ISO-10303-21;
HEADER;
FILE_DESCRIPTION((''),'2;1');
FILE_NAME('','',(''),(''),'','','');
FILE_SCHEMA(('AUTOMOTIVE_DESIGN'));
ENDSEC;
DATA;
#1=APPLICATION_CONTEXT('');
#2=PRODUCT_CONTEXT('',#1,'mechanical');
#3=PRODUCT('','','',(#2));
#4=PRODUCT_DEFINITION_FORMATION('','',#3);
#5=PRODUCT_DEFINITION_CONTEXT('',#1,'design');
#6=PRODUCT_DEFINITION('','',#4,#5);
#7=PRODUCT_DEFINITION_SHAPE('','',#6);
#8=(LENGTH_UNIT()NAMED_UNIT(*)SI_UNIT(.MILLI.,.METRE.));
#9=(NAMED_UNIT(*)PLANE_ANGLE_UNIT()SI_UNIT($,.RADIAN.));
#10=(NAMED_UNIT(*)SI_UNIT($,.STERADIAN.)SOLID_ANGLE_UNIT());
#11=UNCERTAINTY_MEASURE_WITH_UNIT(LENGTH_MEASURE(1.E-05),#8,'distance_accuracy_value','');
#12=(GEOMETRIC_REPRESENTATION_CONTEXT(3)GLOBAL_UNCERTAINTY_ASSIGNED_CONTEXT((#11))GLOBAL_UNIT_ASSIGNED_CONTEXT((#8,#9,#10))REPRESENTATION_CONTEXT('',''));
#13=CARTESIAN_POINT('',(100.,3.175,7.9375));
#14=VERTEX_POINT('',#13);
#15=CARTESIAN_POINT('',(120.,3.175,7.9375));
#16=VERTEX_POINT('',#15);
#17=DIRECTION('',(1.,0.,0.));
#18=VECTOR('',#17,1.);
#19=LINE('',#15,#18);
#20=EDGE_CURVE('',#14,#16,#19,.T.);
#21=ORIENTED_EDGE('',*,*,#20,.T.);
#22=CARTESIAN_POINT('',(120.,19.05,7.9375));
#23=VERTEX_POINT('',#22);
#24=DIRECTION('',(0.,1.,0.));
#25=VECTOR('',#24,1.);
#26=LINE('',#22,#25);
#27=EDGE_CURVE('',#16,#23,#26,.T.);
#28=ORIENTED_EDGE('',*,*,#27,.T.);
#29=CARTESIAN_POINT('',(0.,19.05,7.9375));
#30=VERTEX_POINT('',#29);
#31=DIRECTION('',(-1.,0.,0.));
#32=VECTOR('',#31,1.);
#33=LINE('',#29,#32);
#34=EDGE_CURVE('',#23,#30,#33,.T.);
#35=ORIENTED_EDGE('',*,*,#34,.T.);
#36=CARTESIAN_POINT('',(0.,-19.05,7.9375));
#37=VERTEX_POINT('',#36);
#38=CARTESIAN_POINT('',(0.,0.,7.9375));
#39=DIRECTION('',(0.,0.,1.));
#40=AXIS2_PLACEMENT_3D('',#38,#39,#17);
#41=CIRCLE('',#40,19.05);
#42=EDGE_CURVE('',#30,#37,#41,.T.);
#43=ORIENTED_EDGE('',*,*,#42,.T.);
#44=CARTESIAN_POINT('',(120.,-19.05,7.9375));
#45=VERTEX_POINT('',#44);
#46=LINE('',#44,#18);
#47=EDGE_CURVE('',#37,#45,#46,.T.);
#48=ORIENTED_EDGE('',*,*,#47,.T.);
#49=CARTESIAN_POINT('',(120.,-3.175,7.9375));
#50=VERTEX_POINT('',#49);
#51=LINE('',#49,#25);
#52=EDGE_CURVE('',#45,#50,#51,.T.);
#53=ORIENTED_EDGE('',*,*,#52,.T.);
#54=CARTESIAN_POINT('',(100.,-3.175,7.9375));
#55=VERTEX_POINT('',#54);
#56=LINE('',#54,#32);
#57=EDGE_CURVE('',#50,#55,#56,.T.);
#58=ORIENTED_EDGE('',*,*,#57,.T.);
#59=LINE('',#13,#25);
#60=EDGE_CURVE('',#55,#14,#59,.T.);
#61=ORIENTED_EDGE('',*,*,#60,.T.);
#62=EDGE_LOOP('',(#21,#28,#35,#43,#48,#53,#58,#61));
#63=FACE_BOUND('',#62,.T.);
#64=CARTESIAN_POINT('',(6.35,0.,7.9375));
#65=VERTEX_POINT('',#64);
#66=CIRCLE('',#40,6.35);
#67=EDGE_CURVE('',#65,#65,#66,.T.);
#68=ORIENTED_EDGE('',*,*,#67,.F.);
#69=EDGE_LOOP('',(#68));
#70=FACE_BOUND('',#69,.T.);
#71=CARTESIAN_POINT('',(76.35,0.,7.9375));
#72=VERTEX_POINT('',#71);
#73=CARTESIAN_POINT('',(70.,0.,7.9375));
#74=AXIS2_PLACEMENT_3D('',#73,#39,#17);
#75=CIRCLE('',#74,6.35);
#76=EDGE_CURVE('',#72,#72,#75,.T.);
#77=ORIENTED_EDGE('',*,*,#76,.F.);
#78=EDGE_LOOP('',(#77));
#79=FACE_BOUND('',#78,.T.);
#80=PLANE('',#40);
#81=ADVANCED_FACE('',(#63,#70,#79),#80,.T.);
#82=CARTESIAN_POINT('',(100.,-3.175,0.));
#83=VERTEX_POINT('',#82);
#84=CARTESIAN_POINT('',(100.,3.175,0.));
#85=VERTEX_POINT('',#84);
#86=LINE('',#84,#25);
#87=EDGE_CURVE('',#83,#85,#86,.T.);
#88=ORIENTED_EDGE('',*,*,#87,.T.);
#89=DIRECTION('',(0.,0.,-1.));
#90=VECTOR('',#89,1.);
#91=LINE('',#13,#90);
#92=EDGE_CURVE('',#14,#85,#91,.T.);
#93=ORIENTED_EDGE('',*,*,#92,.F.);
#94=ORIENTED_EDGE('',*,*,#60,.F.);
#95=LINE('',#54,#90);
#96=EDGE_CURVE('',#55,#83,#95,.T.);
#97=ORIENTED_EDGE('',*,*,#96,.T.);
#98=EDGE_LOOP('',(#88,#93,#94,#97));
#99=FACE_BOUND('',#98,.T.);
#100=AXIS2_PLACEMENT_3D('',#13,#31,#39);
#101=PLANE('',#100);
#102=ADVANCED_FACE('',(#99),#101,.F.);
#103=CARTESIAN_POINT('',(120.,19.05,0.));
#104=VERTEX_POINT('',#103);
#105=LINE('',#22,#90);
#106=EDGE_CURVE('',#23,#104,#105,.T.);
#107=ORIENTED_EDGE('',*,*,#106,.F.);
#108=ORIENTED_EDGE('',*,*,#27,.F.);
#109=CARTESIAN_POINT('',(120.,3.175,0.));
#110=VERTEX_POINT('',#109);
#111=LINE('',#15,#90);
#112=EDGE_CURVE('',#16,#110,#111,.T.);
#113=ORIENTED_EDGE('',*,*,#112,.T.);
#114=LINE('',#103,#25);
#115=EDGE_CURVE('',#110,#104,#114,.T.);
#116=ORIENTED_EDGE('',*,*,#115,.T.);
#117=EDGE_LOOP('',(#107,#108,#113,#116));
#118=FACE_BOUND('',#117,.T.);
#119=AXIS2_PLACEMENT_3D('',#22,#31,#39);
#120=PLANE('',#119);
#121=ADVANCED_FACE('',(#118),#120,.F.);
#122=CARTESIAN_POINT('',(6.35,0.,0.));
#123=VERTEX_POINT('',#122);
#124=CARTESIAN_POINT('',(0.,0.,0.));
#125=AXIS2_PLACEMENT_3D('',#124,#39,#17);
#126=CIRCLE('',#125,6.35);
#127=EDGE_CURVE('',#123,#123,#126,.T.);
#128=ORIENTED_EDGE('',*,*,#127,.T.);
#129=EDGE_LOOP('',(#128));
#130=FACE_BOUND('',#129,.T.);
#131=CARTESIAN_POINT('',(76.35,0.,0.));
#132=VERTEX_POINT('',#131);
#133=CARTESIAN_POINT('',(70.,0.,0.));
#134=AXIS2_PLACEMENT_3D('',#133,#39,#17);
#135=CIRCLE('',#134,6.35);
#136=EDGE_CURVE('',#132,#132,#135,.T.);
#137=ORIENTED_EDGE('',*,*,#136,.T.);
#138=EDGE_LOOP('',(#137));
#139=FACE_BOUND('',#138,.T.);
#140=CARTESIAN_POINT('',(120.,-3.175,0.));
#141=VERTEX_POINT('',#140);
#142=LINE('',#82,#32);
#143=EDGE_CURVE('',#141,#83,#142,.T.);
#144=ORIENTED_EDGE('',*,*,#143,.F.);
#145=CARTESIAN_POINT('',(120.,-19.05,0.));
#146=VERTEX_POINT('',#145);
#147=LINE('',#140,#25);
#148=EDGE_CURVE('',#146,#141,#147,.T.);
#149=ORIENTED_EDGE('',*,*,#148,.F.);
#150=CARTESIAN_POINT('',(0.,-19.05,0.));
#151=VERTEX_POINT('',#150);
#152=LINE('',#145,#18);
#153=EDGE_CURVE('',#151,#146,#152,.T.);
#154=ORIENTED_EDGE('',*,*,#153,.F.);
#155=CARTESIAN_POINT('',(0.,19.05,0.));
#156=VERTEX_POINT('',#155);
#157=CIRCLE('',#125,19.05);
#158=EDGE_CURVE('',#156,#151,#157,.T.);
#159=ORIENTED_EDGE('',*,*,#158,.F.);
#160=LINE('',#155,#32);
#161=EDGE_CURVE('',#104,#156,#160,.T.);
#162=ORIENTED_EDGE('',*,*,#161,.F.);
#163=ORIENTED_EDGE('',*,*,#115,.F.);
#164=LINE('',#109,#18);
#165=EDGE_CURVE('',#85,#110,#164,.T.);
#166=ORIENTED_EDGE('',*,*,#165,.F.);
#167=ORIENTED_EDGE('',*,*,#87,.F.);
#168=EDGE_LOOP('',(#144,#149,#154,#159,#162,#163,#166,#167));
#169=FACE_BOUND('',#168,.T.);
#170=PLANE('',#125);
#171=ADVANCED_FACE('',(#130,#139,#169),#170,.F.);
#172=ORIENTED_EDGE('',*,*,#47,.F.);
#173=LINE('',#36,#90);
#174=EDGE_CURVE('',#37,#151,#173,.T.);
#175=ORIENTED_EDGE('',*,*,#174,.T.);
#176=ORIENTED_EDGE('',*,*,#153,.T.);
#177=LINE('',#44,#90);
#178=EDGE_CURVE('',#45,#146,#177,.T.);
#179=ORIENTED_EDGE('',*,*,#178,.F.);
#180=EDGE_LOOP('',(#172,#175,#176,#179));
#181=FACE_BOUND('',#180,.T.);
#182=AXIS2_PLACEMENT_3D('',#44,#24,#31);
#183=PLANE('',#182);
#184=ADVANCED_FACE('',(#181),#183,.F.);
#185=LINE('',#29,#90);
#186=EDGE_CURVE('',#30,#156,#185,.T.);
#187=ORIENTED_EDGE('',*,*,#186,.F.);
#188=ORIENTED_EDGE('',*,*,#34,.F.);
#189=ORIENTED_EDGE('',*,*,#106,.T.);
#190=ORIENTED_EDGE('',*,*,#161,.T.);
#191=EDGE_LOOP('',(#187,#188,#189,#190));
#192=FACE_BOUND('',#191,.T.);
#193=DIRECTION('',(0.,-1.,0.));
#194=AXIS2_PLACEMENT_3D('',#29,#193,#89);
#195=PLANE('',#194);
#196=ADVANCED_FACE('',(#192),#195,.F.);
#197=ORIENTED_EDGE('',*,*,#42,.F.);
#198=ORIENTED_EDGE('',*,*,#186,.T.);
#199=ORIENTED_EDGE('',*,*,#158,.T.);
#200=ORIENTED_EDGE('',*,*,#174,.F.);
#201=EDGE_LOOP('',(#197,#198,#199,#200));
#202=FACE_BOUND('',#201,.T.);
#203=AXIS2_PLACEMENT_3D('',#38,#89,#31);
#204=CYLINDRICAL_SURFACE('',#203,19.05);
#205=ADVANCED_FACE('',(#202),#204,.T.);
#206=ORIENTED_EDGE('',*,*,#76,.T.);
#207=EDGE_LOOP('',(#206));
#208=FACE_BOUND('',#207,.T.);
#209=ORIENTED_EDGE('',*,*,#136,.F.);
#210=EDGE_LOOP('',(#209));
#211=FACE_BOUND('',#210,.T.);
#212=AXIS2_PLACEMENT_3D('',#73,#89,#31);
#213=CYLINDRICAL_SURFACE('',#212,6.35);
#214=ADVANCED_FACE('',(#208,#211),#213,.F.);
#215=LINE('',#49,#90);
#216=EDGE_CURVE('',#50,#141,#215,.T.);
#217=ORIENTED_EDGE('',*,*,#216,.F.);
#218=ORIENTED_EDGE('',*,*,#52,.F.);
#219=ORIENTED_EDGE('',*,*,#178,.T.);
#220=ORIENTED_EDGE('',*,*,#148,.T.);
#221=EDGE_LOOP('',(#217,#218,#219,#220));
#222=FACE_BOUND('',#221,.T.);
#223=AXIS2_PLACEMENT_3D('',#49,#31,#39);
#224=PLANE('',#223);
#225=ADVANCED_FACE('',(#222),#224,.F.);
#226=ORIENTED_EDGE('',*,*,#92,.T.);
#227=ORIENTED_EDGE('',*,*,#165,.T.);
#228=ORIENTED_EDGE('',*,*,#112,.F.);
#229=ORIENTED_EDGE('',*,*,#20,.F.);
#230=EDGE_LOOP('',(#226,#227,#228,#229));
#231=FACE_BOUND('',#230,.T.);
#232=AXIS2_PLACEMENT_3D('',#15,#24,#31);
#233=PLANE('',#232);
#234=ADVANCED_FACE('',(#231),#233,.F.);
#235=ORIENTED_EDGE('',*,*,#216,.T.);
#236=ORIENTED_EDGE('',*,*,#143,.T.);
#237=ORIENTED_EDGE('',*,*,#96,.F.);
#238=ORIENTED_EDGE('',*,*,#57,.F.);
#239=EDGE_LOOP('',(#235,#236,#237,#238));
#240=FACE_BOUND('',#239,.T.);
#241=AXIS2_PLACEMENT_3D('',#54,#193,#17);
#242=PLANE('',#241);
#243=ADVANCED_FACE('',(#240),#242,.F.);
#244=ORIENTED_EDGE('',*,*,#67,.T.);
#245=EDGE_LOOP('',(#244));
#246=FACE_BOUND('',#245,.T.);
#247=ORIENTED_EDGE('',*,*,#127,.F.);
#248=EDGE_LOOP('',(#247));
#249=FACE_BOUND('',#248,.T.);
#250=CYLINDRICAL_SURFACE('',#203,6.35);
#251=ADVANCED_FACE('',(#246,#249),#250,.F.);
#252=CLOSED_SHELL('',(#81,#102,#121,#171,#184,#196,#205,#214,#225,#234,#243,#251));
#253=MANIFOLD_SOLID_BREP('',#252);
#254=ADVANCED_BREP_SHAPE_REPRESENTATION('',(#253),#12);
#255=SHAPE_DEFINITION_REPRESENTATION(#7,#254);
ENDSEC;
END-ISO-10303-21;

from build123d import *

# Parameters (mm, degrees)
SKETCH1_R           = 6.35
BOSS_EXTRUDE1_DEPTH = 7.9375


with BuildPart() as part:
    # Sketch1 → Boss-Extrude1 (new body)
    with BuildSketch(Plane.XY):
        with BuildLine():
            Line((0, 19.05), (120, 19.05))
            Line((120, 19.05), (120, 3.175))
            Line((120, 3.175), (100, 3.175))
            Line((100, 3.175), (100, -3.175))
            Line((100, -3.175), (120, -3.175))
            Line((120, -3.175), (120, -19.05))
            Line((120, -19.05), (0, -19.05))
            ThreePointArc((0, -19.05), (-19.05, 0), (0, 19.05))
        make_face()
        Circle(SKETCH1_R, mode=Mode.SUBTRACT)
        with Locations((70, 0)):
            Circle(SKETCH1_R, mode=Mode.SUBTRACT)
    extrude(amount=BOSS_EXTRUDE1_DEPTH)


solid = part.part
